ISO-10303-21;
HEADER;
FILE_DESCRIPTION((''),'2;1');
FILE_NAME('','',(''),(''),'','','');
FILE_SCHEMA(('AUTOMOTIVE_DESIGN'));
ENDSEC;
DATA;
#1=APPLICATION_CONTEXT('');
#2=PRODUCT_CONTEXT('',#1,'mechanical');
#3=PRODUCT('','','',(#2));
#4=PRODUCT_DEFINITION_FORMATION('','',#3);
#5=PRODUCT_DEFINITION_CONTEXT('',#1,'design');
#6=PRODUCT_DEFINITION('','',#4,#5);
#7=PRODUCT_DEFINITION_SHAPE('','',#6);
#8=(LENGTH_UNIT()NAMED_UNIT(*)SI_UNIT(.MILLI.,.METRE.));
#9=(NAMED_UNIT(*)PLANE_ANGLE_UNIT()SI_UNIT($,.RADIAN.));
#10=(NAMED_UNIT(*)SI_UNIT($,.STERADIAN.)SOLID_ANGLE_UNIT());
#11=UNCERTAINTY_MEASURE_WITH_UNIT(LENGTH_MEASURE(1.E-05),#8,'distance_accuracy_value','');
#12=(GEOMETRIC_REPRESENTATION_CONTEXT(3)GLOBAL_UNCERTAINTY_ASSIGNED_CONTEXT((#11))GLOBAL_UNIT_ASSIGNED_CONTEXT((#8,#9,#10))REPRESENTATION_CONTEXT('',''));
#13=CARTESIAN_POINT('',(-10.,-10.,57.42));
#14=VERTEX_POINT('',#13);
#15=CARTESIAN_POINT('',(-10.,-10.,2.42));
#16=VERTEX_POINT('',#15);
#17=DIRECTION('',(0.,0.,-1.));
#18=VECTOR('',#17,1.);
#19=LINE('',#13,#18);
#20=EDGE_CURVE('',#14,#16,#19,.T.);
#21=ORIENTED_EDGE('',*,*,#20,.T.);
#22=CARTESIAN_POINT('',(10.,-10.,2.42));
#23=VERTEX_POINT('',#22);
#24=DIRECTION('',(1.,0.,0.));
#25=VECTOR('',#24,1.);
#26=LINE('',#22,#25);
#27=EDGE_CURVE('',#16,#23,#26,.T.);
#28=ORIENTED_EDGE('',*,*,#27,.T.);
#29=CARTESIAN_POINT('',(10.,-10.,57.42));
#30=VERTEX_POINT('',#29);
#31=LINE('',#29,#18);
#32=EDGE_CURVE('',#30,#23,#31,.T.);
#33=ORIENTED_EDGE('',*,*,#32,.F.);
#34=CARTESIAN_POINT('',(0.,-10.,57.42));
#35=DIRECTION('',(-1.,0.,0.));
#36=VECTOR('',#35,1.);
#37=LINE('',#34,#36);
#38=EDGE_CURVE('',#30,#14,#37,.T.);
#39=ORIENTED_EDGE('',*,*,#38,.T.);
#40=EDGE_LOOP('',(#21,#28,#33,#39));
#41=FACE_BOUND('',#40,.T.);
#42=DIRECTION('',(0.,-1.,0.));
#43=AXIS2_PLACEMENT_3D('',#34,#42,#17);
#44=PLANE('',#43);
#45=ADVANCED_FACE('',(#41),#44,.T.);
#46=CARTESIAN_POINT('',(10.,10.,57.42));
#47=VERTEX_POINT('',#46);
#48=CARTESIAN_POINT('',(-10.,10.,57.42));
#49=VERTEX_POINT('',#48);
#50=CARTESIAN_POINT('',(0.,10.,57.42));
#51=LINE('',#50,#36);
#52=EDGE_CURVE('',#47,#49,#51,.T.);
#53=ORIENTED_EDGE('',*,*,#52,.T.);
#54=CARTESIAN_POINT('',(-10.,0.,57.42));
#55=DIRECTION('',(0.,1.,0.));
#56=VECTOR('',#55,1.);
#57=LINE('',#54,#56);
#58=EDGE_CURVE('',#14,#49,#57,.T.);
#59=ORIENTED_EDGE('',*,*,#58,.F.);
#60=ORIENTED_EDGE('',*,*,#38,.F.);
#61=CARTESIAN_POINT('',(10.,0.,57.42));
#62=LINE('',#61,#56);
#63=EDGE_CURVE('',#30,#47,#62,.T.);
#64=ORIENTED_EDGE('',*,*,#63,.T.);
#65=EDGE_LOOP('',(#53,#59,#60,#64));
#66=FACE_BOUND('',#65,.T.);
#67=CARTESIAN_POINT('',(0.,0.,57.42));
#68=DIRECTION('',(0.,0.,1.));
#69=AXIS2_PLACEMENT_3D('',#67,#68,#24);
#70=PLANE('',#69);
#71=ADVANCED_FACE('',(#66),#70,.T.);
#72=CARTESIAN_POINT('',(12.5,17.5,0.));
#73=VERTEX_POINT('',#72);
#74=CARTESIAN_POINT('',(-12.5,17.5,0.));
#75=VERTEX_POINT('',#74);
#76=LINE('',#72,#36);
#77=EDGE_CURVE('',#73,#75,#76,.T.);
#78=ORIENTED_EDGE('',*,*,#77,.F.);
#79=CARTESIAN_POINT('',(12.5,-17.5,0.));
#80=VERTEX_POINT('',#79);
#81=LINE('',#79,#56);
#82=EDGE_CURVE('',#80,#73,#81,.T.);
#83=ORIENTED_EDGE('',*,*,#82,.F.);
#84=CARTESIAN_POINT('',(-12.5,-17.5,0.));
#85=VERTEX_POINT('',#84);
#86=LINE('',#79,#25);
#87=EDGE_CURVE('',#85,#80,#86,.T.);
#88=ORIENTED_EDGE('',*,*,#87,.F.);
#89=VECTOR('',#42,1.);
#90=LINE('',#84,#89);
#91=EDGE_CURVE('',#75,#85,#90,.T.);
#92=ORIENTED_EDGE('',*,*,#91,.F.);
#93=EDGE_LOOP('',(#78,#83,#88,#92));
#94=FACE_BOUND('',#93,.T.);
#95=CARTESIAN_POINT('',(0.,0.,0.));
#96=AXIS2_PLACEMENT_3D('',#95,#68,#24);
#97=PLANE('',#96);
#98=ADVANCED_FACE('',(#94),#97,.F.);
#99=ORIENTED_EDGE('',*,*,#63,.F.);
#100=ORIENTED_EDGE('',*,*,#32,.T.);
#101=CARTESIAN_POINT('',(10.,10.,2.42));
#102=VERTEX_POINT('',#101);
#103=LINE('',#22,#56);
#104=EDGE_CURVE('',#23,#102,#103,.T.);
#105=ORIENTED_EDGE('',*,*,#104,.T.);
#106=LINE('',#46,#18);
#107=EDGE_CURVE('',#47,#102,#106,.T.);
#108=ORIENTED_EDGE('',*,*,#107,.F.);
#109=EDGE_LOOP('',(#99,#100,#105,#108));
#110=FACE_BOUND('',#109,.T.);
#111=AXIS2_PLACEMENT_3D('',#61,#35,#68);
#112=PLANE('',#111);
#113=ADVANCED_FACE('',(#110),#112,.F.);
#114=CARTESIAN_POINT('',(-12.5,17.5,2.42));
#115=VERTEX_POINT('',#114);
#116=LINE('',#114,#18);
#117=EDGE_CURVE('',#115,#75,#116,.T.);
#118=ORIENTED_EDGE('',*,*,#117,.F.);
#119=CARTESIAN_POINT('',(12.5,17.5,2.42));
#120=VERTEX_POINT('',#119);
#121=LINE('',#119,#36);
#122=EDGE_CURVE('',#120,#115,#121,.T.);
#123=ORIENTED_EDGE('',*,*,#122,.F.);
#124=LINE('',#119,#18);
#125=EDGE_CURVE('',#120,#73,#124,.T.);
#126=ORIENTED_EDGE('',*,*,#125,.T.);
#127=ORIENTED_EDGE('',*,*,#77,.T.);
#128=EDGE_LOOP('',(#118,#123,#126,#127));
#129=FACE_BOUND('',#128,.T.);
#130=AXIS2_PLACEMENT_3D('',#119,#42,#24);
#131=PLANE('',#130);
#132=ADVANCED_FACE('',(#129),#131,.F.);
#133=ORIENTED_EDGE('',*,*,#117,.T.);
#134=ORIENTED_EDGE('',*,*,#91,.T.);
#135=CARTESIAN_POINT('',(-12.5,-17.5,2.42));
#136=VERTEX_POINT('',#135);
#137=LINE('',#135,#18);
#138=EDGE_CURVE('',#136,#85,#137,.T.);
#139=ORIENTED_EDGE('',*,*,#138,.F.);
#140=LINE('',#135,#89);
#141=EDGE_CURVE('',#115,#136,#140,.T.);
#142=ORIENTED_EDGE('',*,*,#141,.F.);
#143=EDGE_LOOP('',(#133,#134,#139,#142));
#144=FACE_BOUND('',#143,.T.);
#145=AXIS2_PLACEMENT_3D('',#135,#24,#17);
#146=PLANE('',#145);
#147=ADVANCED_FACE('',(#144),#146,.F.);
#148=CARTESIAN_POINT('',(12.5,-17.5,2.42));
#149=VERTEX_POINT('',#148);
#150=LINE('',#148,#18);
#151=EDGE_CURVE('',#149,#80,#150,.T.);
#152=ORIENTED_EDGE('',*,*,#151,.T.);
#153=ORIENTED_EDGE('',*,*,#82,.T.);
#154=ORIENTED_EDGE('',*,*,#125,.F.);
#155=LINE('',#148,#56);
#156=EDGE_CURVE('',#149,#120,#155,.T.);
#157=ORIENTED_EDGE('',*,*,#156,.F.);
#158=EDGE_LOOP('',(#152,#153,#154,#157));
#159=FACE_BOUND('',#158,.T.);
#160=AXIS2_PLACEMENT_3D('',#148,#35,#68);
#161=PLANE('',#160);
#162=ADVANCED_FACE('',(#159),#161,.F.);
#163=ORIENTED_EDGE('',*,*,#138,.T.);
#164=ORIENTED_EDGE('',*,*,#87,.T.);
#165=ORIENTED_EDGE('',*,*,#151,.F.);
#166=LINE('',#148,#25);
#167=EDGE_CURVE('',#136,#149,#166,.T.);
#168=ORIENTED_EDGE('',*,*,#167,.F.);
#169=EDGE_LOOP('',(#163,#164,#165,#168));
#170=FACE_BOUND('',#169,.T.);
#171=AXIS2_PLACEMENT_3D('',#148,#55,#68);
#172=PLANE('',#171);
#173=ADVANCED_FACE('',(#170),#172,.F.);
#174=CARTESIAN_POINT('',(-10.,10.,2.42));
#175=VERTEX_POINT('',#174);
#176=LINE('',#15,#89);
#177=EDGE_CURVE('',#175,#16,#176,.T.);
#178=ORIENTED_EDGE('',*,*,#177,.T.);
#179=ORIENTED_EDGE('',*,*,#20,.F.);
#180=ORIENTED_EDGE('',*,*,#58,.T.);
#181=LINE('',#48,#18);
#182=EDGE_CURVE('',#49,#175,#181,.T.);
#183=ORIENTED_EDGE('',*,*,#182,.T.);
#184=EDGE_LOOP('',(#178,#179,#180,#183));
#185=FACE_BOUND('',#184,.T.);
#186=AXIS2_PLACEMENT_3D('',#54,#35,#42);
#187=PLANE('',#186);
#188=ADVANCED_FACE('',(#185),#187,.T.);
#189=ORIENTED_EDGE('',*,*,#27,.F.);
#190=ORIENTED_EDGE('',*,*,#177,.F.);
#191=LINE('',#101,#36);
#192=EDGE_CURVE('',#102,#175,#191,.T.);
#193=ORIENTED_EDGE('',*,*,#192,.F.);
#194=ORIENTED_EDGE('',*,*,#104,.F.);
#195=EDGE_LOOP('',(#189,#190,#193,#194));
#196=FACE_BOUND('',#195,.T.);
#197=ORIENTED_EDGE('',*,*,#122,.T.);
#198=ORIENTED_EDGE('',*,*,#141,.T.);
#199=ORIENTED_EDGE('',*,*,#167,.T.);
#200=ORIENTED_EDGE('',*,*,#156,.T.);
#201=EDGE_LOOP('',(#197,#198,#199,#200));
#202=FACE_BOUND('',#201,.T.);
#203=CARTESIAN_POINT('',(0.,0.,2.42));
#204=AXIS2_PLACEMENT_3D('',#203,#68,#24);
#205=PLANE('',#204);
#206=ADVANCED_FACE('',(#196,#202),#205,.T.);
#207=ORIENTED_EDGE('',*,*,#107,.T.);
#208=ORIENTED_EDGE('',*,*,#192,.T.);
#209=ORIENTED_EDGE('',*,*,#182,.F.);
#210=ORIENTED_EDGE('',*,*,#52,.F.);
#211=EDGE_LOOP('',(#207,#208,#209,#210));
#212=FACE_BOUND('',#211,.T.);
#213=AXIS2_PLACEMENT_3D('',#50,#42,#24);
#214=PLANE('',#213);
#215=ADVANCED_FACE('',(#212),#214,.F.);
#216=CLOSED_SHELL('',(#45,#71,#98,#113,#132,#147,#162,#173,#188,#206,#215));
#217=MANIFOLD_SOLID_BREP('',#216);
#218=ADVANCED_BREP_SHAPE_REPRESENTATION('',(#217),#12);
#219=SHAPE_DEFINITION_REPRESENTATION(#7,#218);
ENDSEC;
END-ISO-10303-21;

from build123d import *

# Parameters (mm, degrees)
SKETCH1_W           = 25
SKETCH1_H           = 35
SKETCH1_W_2         = 20
SKETCH1_H_2         = 20
BOSS_EXTRUDE1_DEPTH = 2.42
SKETCH1_2_W         = 20
SKETCH1_2_H         = 20
BOSS_EXTRUDE2_DEPTH = 57.42


with BuildPart() as part:
    # Sketch1 → Boss-Extrude1 (new body)
    with BuildSketch(Plane.XY):
        Rectangle(SKETCH1_W, SKETCH1_H)
        Rectangle(SKETCH1_W_2, SKETCH1_H_2, mode=Mode.SUBTRACT)
    extrude(amount=BOSS_EXTRUDE1_DEPTH)

    # Sketch1<2> → Boss-Extrude2 (add)
    with BuildSketch(Plane.XY):
        Rectangle(SKETCH1_2_W, SKETCH1_2_H)
    extrude(amount=BOSS_EXTRUDE2_DEPTH)


solid = part.part
